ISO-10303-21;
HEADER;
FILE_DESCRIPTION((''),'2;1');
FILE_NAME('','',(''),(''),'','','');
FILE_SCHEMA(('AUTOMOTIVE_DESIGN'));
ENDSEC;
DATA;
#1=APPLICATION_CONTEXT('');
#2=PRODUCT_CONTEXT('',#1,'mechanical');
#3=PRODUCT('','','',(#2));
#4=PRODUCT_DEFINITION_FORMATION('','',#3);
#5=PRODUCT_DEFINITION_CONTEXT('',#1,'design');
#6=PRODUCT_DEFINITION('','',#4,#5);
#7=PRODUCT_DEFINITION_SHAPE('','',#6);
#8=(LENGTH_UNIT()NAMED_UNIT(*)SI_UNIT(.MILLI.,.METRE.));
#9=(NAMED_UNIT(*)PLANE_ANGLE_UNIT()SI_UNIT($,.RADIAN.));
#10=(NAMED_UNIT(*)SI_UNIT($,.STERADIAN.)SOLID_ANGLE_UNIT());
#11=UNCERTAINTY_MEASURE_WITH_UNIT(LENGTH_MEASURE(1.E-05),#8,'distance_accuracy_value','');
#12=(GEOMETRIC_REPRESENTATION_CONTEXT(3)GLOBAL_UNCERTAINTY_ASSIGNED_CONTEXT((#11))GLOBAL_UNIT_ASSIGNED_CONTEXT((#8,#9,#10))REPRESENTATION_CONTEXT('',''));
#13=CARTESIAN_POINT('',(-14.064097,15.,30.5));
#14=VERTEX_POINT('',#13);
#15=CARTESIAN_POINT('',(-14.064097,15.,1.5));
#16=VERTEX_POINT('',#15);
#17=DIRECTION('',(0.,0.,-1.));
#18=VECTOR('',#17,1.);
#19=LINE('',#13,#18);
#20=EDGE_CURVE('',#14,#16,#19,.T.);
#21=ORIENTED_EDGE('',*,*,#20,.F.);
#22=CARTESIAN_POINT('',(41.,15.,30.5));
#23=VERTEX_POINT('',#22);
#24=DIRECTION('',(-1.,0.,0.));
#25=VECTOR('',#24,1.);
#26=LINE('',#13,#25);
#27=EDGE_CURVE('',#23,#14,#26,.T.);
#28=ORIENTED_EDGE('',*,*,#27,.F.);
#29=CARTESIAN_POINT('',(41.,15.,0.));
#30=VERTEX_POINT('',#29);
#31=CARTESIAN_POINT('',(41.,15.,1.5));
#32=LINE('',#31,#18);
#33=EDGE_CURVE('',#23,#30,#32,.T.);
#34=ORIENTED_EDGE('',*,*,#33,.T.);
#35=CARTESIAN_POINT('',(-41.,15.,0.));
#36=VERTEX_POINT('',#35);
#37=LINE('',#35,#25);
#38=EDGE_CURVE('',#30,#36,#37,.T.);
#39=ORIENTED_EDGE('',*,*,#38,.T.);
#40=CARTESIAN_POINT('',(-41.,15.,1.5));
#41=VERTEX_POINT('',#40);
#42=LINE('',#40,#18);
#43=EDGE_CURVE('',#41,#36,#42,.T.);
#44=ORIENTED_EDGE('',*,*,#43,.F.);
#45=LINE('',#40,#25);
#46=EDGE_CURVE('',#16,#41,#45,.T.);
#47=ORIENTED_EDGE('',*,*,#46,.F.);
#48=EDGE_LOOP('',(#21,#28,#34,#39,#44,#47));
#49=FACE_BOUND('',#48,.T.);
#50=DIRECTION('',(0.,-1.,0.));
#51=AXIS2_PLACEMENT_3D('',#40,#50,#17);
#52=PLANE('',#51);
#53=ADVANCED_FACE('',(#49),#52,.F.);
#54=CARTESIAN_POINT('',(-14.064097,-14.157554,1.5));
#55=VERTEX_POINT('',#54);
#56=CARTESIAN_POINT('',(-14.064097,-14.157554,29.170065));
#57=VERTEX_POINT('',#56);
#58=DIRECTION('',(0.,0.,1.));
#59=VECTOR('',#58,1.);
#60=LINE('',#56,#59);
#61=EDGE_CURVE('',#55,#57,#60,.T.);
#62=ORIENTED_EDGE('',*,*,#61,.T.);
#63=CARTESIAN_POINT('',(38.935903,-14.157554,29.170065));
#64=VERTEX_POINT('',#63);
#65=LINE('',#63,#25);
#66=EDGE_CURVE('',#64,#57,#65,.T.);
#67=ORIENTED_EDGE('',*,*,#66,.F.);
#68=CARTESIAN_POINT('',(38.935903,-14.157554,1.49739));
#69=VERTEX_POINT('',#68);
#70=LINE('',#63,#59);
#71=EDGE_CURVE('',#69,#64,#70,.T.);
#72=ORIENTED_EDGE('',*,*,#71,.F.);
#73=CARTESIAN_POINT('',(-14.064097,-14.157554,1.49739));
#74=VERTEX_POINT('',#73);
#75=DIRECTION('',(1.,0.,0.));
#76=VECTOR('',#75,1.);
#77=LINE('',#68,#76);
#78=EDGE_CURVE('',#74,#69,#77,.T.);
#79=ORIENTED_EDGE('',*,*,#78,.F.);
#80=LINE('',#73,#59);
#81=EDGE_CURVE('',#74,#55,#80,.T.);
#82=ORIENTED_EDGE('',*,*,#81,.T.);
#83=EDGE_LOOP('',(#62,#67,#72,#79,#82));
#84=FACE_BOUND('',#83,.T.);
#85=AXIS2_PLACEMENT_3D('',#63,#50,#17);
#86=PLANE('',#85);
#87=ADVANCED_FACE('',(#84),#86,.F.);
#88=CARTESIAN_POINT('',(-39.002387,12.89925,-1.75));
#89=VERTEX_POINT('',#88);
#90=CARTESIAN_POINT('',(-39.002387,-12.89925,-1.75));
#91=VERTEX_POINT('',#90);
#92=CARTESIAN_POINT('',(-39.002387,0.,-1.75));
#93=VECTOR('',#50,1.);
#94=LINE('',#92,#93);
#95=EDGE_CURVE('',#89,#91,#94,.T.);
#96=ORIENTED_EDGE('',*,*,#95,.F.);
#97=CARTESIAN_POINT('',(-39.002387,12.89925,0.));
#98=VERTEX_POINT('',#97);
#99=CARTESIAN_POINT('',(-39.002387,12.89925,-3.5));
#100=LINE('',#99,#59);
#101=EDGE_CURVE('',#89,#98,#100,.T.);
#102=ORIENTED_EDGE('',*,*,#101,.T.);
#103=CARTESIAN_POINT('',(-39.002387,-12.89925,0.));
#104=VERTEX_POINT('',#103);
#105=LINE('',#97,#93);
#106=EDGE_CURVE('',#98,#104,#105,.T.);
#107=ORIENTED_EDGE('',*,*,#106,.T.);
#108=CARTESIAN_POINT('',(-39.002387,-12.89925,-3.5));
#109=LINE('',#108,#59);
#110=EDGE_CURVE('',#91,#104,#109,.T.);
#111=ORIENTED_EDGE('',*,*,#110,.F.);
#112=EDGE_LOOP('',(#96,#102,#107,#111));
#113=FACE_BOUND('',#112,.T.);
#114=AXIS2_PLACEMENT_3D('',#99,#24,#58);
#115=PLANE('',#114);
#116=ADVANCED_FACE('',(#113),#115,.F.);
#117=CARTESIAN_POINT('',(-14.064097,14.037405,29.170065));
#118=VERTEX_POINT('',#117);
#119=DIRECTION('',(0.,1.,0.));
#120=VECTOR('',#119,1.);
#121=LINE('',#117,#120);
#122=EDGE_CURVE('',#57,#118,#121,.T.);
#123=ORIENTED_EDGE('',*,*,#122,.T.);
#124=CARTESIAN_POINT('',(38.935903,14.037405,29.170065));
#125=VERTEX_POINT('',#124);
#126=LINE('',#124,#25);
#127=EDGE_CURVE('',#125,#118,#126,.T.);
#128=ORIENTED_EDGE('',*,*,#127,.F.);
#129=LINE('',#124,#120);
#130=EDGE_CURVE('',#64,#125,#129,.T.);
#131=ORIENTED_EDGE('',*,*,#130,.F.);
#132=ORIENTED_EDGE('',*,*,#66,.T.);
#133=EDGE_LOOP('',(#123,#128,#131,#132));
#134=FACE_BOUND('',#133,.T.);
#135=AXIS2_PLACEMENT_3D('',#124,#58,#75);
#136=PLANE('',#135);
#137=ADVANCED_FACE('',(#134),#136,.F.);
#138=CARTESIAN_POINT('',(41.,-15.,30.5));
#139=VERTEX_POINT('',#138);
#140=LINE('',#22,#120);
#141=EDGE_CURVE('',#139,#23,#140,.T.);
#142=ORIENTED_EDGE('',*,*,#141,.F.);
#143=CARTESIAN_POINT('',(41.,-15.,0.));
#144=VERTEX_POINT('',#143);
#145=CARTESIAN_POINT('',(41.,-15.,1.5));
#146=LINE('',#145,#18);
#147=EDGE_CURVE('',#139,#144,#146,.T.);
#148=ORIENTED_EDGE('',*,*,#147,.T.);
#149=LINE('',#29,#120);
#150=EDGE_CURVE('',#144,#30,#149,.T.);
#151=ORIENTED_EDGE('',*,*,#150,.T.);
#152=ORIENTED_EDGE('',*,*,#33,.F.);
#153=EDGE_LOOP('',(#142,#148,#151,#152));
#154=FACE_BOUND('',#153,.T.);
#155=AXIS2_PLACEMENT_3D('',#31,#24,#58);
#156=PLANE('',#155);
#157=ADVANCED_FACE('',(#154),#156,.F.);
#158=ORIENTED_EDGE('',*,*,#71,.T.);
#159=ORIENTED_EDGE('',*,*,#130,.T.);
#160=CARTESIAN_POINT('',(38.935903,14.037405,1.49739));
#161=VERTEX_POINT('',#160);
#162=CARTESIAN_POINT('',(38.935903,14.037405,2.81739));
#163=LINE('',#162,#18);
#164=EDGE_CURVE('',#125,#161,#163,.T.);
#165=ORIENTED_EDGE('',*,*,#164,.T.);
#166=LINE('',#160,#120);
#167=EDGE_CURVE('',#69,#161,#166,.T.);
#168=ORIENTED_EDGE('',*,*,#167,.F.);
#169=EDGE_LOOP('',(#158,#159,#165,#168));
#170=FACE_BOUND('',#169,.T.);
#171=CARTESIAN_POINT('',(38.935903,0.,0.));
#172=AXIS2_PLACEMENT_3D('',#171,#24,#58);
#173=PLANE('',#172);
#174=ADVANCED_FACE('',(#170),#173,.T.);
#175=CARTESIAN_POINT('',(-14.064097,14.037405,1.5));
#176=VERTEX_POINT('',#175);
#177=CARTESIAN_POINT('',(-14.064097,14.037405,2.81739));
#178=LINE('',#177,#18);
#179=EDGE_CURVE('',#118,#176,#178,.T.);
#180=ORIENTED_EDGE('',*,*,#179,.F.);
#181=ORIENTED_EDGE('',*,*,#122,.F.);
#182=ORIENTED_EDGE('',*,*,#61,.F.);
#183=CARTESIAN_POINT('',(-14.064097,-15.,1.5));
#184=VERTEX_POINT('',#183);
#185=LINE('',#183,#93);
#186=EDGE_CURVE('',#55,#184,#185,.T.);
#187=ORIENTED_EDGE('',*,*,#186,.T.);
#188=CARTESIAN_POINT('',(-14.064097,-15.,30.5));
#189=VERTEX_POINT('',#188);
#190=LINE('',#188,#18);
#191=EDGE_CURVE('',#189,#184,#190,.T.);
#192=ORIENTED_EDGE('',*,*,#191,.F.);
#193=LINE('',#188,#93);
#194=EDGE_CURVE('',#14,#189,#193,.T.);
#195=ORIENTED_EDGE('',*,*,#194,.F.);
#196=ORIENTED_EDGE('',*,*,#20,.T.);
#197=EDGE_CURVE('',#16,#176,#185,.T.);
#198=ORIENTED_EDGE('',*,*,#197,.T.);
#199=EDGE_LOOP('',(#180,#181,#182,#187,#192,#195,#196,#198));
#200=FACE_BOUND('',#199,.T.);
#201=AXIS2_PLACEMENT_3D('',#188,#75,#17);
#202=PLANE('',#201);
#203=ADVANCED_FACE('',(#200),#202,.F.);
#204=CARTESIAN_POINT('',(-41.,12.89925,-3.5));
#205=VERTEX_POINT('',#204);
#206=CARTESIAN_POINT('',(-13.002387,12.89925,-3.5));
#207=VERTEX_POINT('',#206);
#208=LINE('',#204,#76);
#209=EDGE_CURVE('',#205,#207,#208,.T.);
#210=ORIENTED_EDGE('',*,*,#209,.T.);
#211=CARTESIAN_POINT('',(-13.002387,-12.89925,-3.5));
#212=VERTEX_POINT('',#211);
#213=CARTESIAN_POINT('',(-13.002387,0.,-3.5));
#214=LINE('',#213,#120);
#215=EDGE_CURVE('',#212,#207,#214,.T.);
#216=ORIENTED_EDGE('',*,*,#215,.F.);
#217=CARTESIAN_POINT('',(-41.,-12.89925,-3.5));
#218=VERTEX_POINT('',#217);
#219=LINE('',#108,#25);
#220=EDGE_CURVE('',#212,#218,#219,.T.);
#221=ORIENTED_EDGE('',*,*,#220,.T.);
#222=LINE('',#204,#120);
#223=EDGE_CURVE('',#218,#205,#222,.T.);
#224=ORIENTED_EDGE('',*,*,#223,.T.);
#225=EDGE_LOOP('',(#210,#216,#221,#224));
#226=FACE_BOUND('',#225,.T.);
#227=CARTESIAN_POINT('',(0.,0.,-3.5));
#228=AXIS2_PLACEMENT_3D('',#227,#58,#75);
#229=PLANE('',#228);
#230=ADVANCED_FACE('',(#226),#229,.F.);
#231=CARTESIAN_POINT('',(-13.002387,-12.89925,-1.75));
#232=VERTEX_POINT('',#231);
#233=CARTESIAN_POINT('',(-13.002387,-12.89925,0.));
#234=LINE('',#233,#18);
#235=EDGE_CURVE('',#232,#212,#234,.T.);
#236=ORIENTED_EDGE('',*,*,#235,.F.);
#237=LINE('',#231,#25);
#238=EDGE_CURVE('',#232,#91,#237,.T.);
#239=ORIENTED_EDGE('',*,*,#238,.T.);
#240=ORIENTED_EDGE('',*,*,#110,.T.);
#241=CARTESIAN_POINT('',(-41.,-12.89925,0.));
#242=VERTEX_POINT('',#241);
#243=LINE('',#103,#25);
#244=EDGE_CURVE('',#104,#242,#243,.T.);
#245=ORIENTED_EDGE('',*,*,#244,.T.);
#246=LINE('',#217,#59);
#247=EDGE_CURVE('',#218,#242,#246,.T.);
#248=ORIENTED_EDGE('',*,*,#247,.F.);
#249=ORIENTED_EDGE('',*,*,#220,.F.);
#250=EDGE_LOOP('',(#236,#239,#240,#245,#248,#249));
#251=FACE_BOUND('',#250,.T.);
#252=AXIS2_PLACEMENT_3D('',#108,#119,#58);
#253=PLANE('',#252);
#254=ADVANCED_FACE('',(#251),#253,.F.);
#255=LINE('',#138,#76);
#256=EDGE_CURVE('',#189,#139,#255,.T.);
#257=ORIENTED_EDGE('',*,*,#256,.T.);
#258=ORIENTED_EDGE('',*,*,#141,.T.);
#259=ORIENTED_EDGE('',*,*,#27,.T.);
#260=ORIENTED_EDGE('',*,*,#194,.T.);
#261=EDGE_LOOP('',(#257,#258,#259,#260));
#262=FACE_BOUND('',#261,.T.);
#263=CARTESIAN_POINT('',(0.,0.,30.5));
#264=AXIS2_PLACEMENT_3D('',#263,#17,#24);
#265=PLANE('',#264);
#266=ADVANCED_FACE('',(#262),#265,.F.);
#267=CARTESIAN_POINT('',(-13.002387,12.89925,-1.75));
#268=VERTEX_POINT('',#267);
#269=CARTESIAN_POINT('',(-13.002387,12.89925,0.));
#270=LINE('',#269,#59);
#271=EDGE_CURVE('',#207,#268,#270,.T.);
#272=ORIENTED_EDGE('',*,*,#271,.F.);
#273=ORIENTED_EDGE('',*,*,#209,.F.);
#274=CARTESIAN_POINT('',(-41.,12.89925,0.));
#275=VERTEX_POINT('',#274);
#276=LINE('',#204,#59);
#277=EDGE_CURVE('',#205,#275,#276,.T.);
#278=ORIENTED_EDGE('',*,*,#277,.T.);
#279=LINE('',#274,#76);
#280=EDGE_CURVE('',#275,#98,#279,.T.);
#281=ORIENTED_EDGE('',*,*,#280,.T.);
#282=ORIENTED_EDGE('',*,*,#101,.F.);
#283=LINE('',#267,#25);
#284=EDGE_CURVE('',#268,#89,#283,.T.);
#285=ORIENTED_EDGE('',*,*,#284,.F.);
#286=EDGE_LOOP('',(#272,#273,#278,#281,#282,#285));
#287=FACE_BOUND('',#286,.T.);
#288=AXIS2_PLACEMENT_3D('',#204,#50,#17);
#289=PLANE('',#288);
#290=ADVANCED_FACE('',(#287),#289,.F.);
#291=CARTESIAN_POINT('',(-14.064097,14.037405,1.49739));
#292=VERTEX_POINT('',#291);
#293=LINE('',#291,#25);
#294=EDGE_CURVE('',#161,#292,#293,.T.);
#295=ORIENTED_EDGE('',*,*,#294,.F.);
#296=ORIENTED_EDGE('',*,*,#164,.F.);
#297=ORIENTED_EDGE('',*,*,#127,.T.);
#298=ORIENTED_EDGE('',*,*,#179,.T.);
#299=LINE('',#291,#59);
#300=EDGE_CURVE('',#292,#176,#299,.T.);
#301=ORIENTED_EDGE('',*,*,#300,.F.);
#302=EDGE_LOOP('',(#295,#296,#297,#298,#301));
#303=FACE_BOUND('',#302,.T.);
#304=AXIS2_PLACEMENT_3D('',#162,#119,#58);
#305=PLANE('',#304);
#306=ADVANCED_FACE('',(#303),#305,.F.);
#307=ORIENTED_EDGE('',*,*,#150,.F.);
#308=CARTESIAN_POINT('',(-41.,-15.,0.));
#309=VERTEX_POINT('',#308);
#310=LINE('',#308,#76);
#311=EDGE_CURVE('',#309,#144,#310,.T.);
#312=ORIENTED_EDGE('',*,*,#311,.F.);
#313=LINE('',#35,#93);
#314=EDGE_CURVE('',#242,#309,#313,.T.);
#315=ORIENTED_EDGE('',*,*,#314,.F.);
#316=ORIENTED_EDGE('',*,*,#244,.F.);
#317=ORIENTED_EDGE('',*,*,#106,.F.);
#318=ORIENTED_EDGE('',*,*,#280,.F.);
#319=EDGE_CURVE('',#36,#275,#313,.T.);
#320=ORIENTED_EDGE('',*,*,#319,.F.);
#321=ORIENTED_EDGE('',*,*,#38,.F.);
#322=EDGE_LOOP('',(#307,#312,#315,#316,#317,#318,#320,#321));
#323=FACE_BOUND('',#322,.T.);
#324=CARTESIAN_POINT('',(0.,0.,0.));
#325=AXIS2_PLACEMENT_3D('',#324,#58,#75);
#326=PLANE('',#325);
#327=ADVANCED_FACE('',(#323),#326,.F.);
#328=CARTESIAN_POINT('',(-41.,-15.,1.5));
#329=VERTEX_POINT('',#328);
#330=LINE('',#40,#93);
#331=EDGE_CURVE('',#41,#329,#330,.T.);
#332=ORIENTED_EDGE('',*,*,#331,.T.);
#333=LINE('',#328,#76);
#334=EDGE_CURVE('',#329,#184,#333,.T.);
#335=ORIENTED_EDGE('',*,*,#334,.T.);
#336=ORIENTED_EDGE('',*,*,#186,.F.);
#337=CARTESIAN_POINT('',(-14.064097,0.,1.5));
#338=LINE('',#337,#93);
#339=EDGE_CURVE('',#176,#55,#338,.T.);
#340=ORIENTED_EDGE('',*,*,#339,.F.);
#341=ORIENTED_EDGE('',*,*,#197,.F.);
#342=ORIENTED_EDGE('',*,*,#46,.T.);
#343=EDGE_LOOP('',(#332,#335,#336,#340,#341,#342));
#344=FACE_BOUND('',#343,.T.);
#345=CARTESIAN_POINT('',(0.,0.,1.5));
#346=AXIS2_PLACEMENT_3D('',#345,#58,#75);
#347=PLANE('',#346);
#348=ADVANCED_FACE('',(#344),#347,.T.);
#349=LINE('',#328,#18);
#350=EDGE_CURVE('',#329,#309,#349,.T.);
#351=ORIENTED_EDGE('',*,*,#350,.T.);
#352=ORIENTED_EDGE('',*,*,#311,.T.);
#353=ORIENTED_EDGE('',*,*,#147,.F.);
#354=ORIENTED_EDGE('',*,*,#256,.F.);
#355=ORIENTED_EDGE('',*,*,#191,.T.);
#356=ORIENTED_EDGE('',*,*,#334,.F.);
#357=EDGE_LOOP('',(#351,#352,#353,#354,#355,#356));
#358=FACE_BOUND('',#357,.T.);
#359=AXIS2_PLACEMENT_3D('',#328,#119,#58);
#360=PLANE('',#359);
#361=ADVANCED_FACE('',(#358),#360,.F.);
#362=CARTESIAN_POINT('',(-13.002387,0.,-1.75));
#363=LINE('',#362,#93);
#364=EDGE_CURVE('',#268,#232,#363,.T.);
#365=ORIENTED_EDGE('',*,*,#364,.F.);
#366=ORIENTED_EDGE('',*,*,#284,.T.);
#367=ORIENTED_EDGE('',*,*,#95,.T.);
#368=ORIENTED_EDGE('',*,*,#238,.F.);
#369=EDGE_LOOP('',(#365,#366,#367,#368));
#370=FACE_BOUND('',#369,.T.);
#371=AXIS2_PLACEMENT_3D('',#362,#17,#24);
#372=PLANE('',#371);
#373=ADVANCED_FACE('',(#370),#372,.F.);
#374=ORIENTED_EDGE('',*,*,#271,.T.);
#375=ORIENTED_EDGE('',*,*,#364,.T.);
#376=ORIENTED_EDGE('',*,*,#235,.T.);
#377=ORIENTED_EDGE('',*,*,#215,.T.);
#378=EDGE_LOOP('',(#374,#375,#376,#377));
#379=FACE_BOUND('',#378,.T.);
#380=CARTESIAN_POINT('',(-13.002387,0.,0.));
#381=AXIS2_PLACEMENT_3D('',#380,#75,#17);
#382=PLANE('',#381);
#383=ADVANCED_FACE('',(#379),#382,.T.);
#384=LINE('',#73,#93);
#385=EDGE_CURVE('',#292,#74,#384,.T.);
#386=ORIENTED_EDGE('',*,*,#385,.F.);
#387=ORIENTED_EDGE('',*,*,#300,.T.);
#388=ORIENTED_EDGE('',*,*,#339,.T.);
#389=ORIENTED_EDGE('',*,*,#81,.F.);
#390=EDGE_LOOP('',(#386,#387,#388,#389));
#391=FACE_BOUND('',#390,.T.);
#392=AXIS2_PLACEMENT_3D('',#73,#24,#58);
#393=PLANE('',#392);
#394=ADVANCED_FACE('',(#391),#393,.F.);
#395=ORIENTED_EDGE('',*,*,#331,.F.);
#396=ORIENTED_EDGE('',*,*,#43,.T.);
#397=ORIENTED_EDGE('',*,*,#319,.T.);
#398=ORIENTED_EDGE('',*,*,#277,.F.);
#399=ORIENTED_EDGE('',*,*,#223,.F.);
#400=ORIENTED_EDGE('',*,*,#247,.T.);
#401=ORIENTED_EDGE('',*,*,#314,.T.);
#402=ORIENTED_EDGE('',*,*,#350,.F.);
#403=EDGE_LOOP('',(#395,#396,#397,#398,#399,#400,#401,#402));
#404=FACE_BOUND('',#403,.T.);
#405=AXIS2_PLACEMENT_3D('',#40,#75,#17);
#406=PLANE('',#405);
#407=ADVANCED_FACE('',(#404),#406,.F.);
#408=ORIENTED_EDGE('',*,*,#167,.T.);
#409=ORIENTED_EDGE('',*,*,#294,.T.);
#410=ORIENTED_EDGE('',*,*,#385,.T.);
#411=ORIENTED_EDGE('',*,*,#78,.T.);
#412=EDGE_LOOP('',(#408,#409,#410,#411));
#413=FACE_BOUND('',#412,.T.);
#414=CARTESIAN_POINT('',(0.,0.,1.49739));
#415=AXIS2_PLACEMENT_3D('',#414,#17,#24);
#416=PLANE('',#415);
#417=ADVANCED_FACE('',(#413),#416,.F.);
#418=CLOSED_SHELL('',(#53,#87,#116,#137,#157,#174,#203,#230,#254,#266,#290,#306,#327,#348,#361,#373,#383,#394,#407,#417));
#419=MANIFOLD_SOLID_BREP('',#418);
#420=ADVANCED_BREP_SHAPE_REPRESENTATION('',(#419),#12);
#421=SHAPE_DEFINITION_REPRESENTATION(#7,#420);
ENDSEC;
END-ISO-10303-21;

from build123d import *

# Parameters (mm, degrees)
SKETCH_1_W          = 82
SKETCH_1_H          = 30
EXTRUDE_1_DEPTH     = 1.5
SKETCH_2_W          = 1.997612732
SKETCH_2_H          = 25.79850023
EXTRUDE_3_DEPTH     = 3.5
SKETCH_4_W          = 1.75
SKETCH_4_H          = 25.79850023
EXTRUDE_4_DEPTH     = 26
SKETCH_5_W          = 55.064096776
SKETCH_5_H          = 30
EXTRUDE_5_DEPTH     = 29
SKETCH_6_W          = 26.352675357
SKETCH_6_H          = 28.194959652
CUT_EXTRUDE_1_DEPTH = 53
SKETCH_8_W          = 53
SKETCH_8_H          = 28.194959652
CUT_EXTRUDE_2_DEPTH = 1.32


with BuildPart() as part:
    # 草圖1 → 填料-伸長1 (new body)
    with BuildSketch(Plane.XY):
        Rectangle(SKETCH_1_W, SKETCH_1_H)
    extrude(amount=EXTRUDE_1_DEPTH)

    # 草圖2 → 填料-伸長3 (add)
    with BuildSketch(Plane(origin=(0, 0, 0), x_dir=(-1, 0, 0), z_dir=(0, 0, -1))):
        with Locations((40.001193634, 0)):
            Rectangle(SKETCH_2_W, SKETCH_2_H)
    extrude(amount=EXTRUDE_3_DEPTH)

    # 草圖4 → 填料-伸長4 (add)
    with BuildSketch(Plane(origin=(-39.002387268, 0, 0), x_dir=(0, 0, -1), z_dir=(1, 0, 0))):
        with Locations((2.625, 0)):
            Rectangle(SKETCH_4_W, SKETCH_4_H)
    extrude(amount=EXTRUDE_4_DEPTH)

    # 草圖5 → 填料-伸長5 (add)
    with BuildSketch(Plane.XY.offset(1.5)):
        with Locations((13.467951612, 0)):
            Rectangle(SKETCH_5_W, SKETCH_5_H)
    extrude(amount=EXTRUDE_5_DEPTH)

    # 草圖6 → 除料-伸長1 (cut)
    with BuildSketch(Plane.ZY.offset(14.064096776)):
        with Locations((15.993727328, -0.060074488)):
            Rectangle(SKETCH_6_W, SKETCH_6_H)
    extrude(amount=-CUT_EXTRUDE_1_DEPTH, mode=Mode.SUBTRACT)

    # 草圖8 → 除料-伸長2 (cut)
    with BuildSketch(Plane.XY.offset(2.817389649)):
        with Locations((12.435903224, -0.060074488)):
            Rectangle(SKETCH_8_W, SKETCH_8_H)
    extrude(amount=-CUT_EXTRUDE_2_DEPTH, mode=Mode.SUBTRACT)


solid = part.part
